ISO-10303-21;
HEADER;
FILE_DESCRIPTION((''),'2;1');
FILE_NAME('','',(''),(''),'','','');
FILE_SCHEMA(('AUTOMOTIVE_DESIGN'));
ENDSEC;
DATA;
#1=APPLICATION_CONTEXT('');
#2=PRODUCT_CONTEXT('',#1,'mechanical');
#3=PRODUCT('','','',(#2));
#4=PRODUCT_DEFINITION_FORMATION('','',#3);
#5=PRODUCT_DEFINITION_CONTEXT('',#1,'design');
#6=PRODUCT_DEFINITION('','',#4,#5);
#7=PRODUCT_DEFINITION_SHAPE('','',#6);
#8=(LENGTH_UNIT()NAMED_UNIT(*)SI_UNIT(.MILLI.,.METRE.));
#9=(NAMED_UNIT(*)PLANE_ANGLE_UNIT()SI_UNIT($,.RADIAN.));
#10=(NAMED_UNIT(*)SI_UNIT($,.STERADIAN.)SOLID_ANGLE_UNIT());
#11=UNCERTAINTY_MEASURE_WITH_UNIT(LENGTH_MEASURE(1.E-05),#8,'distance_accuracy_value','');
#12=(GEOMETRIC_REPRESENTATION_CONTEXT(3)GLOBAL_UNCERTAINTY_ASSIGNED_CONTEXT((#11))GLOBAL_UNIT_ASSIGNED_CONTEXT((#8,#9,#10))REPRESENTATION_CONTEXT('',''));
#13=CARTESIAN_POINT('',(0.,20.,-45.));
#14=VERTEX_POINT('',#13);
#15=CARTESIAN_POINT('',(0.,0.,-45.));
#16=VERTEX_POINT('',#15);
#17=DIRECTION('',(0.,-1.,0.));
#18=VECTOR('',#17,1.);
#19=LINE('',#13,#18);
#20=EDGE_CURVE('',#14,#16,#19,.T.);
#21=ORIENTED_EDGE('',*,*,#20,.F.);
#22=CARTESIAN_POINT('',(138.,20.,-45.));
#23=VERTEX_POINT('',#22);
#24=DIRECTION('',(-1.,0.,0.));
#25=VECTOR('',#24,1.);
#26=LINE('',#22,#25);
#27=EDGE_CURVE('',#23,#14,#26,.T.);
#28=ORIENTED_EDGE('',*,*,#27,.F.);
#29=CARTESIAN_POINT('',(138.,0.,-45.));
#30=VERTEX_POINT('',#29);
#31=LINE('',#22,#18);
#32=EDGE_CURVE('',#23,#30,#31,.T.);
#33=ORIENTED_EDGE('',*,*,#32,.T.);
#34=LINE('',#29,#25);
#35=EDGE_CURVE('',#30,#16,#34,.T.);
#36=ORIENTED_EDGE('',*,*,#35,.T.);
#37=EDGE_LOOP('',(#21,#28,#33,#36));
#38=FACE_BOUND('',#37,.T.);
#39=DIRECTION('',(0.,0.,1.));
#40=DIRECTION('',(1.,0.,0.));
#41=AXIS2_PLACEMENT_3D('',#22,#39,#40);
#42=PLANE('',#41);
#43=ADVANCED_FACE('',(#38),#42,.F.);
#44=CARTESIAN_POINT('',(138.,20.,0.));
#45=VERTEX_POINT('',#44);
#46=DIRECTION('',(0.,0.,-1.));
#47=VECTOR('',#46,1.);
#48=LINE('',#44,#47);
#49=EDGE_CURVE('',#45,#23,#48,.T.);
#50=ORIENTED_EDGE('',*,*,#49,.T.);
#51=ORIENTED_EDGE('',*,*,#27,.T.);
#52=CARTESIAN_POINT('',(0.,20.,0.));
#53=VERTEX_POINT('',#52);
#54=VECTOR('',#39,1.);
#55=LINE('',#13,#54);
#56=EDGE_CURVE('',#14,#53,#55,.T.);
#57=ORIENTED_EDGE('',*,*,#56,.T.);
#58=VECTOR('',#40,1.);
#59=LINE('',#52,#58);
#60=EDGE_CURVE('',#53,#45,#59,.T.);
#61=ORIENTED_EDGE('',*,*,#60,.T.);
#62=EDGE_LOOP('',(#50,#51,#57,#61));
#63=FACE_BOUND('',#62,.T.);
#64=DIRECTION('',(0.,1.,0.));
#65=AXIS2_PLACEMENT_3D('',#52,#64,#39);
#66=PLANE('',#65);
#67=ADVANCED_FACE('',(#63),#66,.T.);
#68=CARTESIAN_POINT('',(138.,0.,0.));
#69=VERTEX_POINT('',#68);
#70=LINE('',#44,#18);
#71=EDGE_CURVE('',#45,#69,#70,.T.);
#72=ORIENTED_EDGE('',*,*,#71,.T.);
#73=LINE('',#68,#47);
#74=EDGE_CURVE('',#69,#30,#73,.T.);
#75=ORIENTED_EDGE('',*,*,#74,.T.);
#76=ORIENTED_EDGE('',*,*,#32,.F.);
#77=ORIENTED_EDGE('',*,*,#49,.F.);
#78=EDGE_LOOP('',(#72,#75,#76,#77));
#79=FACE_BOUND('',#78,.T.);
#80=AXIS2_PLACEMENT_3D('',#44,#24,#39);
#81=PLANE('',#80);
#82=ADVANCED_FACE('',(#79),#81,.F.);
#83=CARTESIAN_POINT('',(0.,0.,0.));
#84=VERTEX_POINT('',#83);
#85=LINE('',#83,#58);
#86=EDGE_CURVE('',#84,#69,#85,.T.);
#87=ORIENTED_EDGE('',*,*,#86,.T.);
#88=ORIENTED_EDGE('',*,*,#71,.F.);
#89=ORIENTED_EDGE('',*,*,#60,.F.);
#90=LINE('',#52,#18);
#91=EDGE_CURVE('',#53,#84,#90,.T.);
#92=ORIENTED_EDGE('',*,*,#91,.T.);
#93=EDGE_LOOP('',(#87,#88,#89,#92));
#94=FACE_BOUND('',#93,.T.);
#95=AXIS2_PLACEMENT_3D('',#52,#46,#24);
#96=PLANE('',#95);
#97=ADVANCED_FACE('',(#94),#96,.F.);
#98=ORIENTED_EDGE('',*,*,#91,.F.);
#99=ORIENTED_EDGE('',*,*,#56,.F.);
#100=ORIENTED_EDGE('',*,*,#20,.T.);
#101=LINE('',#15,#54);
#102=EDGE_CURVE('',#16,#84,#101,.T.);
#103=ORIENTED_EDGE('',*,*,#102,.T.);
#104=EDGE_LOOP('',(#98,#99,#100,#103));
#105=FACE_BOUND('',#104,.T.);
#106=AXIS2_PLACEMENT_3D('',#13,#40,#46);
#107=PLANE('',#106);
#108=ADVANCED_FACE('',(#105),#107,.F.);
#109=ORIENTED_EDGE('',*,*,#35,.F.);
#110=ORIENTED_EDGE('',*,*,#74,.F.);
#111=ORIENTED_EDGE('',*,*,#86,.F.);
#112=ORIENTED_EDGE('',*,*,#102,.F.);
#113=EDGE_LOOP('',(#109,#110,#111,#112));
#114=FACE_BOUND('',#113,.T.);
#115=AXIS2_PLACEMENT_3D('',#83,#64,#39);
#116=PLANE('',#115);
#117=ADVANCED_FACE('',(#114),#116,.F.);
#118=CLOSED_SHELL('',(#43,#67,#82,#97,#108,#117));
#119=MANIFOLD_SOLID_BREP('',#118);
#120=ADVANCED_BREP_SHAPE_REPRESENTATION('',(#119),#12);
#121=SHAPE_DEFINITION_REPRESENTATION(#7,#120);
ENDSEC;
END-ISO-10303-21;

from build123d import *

# Parameters (mm, degrees)
SKETCH1_W           = 138
SKETCH1_H           = 45
BOSS_EXTRUDE1_DEPTH = 20


with BuildPart() as part:
    # Sketch1 → Boss-Extrude1 (new body)
    with BuildSketch(Plane(origin=(0, 0, 0), x_dir=(1, 0, 0), z_dir=(0, 1, 0))):
        with Locations((69, 22.5)):
            Rectangle(SKETCH1_W, SKETCH1_H)
    extrude(amount=BOSS_EXTRUDE1_DEPTH)


solid = part.part
